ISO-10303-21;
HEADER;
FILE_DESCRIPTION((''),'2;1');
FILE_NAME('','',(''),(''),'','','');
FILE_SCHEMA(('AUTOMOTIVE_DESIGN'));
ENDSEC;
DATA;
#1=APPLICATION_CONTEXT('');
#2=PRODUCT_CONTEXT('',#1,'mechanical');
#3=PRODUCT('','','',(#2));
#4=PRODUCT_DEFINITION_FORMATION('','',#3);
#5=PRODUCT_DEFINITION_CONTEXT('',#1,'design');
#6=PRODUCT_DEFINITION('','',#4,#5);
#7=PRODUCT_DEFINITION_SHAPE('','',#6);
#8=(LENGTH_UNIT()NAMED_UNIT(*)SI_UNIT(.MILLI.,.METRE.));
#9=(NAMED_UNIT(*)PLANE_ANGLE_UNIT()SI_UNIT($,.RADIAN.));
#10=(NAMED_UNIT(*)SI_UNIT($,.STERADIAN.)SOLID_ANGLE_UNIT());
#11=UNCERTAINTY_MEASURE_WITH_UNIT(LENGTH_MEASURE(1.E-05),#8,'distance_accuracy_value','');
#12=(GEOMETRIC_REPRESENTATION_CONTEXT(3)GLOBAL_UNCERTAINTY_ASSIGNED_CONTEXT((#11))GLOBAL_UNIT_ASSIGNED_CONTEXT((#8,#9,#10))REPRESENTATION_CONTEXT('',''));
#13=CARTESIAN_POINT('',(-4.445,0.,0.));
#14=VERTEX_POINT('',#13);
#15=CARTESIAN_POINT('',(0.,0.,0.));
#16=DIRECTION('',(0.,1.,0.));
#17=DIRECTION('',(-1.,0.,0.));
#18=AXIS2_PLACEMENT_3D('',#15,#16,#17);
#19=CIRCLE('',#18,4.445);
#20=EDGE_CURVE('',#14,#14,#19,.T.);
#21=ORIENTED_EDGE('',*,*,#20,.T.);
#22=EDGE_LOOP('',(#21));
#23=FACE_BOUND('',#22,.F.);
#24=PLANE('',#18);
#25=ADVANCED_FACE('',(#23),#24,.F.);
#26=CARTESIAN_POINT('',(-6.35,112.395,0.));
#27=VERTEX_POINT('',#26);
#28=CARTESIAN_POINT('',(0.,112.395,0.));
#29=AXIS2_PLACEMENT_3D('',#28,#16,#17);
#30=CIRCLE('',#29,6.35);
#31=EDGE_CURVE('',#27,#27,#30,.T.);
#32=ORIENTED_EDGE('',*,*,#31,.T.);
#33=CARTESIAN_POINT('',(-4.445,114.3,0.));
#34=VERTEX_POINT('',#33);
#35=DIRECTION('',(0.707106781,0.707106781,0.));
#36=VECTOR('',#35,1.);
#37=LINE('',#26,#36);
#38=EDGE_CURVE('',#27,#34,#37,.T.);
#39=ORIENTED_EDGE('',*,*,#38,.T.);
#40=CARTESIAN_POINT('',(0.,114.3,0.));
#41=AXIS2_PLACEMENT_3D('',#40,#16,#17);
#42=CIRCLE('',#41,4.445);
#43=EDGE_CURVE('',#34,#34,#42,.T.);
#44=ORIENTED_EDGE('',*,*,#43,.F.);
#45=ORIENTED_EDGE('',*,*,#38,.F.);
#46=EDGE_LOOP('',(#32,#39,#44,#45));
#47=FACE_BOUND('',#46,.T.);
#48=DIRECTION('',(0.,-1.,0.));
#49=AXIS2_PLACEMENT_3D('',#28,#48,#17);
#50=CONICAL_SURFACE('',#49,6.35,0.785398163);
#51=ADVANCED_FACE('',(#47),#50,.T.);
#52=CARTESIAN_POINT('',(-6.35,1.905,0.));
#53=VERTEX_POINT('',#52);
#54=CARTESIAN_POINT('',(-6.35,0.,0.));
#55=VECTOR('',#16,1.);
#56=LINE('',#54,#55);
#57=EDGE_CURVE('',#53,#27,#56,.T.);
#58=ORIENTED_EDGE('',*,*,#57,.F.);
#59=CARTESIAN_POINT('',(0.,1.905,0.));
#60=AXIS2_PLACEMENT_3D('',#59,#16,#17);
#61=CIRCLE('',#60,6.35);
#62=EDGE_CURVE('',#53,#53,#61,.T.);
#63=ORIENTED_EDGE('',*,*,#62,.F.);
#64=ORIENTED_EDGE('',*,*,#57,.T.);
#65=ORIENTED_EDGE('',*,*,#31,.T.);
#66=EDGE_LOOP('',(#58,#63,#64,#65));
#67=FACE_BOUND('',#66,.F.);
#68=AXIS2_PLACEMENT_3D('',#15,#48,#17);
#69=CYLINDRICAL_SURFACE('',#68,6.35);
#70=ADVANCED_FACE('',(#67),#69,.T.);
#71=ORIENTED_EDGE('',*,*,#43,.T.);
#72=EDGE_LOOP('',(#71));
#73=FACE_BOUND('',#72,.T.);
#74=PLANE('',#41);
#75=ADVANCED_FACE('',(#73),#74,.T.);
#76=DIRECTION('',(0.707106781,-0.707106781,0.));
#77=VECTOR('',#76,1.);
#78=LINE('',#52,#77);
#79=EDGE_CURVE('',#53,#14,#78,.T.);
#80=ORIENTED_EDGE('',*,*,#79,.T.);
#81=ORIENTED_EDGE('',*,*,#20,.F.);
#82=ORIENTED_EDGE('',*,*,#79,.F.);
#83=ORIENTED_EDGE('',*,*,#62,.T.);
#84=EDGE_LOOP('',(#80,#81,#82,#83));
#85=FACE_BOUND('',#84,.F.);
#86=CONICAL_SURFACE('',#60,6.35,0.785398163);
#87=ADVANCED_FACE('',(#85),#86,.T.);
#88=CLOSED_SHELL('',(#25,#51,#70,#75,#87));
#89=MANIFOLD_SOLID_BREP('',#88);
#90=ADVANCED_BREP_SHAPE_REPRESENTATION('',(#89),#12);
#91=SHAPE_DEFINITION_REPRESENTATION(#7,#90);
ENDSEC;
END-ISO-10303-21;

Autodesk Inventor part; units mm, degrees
ref_plane "YZ Plane" through (0, 0, 0) normal (1, 0, 0) x (0, 1, 0)
ref_plane "XZ Plane" through (0, 0, 0) normal (0, 1, 0) x (-1, 0, 0)
ref_plane "XY Plane" through (0, 0, 0) normal (0, 0, 1) x (1, 0, 0)
sketch "Sketch1" plane through (0, 0, 0) normal (0, 1, 0) x (-1, 0, 0)
  circle A0 centre (0, 0) radius 6.35
  dimension "d0" = 12.7
extrude "Extrusion1" add sketch "Sketch1" along normal blind 114.3
chamfer "Chamfer1" distance 1.905 angle 45 2 edges at (6.35, 114.3, 0) (6.35, 0, 0)
equation "\"BendRadius\" = Thickness"
equation "\"BendReliefWidth\" = Thickness"
equation "\"BendReliefDepth\" = 0.5 * Thickness"
equation "\"CornerReliefSize\" = 4 * Thickness"
equation "\"MinimumRemnant\" = 2 * Thickness"
equation "\"TransitionRadius\" = BendRadius"
equation "\"JacobiRadiusSize\" = BendRadius"
equation "\"GapSize\" = Thickness"
equation "\"Thickness\" = 3.048"
properties part number "Steel Shaft"
